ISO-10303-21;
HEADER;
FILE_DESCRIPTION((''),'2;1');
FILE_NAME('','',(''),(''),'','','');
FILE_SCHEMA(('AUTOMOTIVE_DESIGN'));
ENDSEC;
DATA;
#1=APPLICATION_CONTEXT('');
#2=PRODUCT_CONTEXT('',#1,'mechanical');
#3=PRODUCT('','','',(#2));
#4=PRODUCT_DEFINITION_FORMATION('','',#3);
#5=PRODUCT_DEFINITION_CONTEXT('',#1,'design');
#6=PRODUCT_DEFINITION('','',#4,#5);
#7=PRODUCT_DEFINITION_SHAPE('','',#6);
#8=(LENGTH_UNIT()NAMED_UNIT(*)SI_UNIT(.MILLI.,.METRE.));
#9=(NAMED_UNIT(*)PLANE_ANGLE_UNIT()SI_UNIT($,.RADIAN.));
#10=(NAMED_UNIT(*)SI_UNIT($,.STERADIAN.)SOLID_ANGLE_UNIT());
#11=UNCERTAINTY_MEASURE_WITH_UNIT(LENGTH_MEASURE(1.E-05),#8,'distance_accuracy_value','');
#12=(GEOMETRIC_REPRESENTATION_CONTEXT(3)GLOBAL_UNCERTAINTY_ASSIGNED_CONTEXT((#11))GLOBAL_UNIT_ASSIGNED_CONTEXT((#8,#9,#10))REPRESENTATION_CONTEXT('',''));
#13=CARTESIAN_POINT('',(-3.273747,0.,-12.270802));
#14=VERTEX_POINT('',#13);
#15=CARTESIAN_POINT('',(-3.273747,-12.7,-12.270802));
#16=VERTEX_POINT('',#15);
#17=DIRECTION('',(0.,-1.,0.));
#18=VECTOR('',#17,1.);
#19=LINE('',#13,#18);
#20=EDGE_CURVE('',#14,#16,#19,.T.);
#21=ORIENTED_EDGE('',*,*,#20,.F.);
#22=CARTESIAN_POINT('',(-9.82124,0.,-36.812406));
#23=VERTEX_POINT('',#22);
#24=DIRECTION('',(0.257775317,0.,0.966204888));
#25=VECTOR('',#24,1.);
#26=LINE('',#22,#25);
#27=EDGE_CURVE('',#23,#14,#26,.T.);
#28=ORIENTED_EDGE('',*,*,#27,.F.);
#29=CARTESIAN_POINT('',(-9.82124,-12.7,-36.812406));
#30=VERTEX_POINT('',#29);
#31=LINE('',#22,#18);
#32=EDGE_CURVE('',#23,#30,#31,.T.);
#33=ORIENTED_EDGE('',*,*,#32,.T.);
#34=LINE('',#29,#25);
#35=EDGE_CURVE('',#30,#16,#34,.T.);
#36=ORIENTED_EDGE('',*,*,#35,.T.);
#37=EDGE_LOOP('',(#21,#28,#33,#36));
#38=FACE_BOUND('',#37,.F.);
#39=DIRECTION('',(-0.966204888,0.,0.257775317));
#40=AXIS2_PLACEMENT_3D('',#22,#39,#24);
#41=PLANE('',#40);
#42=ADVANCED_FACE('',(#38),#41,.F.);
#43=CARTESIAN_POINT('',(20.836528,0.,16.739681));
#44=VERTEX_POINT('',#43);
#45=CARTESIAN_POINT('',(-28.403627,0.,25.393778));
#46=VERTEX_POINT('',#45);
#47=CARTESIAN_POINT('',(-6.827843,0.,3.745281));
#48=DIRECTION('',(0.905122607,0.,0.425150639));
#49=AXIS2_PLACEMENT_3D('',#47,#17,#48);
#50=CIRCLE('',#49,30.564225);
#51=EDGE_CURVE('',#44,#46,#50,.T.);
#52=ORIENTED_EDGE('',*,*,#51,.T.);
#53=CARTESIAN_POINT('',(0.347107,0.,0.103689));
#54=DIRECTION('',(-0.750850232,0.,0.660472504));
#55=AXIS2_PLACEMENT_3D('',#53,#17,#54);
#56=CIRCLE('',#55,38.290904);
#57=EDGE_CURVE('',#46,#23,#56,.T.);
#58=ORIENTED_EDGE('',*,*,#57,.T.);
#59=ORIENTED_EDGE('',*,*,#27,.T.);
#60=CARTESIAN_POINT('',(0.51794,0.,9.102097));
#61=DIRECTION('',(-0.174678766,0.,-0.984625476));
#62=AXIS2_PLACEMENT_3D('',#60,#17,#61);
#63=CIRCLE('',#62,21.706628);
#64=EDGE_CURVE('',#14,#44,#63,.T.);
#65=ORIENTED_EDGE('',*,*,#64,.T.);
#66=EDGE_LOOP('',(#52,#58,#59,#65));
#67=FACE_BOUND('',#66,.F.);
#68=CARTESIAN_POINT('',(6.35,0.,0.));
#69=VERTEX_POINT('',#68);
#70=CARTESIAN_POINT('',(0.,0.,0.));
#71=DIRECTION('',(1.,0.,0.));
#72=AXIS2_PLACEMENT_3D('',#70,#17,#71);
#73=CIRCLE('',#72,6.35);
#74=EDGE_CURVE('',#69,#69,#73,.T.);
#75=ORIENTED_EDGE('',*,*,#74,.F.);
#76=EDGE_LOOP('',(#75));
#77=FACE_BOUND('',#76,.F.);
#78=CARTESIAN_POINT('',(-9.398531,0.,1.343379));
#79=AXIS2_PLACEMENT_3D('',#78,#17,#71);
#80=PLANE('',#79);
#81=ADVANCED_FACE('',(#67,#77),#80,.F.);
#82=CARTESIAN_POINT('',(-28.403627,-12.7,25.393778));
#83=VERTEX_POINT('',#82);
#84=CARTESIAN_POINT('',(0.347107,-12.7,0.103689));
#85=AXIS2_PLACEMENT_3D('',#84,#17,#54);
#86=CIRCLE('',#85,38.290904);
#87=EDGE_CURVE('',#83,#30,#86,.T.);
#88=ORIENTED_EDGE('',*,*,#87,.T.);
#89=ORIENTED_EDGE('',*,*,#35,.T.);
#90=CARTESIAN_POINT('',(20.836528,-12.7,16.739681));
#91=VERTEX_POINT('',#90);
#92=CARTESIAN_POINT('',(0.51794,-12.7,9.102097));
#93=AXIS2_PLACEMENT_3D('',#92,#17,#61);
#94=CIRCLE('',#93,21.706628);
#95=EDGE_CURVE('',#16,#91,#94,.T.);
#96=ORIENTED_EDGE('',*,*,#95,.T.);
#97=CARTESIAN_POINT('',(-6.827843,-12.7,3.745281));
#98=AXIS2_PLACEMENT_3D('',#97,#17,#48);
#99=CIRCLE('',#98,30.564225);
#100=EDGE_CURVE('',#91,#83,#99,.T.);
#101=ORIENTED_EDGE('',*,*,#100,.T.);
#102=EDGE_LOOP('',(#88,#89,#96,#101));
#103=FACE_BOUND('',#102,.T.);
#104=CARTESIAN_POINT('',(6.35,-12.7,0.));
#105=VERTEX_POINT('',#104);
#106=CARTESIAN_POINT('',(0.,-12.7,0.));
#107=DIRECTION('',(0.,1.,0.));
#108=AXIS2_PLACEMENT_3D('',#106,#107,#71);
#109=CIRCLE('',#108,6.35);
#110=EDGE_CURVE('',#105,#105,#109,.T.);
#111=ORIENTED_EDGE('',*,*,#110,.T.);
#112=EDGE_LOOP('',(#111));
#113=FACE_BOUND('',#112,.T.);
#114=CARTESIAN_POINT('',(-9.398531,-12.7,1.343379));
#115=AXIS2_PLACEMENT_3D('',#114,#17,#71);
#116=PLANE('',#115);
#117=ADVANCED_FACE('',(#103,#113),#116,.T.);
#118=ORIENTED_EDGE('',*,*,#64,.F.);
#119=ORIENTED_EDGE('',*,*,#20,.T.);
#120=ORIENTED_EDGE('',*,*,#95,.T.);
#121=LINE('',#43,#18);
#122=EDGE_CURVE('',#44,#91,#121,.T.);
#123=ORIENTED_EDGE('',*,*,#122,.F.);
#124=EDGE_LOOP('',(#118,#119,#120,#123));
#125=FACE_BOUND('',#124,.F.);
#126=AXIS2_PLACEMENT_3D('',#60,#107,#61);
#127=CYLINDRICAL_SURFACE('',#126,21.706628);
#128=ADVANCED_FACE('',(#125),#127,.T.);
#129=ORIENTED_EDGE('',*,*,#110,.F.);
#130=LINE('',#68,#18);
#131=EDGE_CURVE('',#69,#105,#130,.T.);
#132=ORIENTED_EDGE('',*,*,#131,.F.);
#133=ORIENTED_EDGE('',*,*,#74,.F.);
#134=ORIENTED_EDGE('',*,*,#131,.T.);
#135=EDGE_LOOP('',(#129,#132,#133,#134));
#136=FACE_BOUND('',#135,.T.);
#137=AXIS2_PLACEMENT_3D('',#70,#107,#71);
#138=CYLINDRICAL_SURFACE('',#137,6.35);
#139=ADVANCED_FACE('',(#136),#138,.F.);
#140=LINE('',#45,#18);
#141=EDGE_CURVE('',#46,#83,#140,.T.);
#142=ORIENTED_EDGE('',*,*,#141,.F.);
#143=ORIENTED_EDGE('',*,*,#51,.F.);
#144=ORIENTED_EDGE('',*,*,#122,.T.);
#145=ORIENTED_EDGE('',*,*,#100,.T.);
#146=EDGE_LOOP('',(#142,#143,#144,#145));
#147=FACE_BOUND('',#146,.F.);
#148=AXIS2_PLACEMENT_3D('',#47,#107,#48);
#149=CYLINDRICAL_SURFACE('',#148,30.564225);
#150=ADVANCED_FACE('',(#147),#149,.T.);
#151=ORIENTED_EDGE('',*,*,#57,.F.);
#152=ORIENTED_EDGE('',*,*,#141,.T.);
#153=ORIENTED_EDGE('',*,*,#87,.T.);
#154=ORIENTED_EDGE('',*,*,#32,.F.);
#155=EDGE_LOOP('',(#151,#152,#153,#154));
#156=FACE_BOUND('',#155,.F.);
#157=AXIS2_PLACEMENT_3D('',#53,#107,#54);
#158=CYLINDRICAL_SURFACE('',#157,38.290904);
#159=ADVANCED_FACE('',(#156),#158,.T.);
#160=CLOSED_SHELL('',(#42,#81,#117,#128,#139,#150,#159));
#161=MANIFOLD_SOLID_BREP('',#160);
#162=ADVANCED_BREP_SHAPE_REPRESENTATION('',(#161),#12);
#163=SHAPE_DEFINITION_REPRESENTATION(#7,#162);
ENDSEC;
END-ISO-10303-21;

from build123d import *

# Parameters (mm, degrees)
F2_DEPTH = 12.7
F1_R     = 6.35
F3_DEPTH = 25.4


with BuildPart() as f2:
    # F0 (on Front) → F2 (new body)
    with BuildSketch(Plane.XZ):
        with BuildLine():
            ThreePointArc((-28.403627, 25.393778), (-36.341802, -10.856114), (-9.82124, -36.812406))
            Line((-9.82124, -36.812406), (-3.273747, -12.270802))
            ThreePointArc((-3.273747, -12.270802), (17.211851, -4.772017), (20.836528, 16.739681))
            ThreePointArc((20.836528, 16.739681), (-1.537184, 33.848118), (-28.403627, 25.393778))
        make_face()
    extrude(amount=F2_DEPTH)

    # F1 (on face) → F3 (cut)
    with BuildSketch(Plane.XZ):
        Circle(F1_R)
    extrude(amount=F3_DEPTH, mode=Mode.SUBTRACT)


solid = f2.part
